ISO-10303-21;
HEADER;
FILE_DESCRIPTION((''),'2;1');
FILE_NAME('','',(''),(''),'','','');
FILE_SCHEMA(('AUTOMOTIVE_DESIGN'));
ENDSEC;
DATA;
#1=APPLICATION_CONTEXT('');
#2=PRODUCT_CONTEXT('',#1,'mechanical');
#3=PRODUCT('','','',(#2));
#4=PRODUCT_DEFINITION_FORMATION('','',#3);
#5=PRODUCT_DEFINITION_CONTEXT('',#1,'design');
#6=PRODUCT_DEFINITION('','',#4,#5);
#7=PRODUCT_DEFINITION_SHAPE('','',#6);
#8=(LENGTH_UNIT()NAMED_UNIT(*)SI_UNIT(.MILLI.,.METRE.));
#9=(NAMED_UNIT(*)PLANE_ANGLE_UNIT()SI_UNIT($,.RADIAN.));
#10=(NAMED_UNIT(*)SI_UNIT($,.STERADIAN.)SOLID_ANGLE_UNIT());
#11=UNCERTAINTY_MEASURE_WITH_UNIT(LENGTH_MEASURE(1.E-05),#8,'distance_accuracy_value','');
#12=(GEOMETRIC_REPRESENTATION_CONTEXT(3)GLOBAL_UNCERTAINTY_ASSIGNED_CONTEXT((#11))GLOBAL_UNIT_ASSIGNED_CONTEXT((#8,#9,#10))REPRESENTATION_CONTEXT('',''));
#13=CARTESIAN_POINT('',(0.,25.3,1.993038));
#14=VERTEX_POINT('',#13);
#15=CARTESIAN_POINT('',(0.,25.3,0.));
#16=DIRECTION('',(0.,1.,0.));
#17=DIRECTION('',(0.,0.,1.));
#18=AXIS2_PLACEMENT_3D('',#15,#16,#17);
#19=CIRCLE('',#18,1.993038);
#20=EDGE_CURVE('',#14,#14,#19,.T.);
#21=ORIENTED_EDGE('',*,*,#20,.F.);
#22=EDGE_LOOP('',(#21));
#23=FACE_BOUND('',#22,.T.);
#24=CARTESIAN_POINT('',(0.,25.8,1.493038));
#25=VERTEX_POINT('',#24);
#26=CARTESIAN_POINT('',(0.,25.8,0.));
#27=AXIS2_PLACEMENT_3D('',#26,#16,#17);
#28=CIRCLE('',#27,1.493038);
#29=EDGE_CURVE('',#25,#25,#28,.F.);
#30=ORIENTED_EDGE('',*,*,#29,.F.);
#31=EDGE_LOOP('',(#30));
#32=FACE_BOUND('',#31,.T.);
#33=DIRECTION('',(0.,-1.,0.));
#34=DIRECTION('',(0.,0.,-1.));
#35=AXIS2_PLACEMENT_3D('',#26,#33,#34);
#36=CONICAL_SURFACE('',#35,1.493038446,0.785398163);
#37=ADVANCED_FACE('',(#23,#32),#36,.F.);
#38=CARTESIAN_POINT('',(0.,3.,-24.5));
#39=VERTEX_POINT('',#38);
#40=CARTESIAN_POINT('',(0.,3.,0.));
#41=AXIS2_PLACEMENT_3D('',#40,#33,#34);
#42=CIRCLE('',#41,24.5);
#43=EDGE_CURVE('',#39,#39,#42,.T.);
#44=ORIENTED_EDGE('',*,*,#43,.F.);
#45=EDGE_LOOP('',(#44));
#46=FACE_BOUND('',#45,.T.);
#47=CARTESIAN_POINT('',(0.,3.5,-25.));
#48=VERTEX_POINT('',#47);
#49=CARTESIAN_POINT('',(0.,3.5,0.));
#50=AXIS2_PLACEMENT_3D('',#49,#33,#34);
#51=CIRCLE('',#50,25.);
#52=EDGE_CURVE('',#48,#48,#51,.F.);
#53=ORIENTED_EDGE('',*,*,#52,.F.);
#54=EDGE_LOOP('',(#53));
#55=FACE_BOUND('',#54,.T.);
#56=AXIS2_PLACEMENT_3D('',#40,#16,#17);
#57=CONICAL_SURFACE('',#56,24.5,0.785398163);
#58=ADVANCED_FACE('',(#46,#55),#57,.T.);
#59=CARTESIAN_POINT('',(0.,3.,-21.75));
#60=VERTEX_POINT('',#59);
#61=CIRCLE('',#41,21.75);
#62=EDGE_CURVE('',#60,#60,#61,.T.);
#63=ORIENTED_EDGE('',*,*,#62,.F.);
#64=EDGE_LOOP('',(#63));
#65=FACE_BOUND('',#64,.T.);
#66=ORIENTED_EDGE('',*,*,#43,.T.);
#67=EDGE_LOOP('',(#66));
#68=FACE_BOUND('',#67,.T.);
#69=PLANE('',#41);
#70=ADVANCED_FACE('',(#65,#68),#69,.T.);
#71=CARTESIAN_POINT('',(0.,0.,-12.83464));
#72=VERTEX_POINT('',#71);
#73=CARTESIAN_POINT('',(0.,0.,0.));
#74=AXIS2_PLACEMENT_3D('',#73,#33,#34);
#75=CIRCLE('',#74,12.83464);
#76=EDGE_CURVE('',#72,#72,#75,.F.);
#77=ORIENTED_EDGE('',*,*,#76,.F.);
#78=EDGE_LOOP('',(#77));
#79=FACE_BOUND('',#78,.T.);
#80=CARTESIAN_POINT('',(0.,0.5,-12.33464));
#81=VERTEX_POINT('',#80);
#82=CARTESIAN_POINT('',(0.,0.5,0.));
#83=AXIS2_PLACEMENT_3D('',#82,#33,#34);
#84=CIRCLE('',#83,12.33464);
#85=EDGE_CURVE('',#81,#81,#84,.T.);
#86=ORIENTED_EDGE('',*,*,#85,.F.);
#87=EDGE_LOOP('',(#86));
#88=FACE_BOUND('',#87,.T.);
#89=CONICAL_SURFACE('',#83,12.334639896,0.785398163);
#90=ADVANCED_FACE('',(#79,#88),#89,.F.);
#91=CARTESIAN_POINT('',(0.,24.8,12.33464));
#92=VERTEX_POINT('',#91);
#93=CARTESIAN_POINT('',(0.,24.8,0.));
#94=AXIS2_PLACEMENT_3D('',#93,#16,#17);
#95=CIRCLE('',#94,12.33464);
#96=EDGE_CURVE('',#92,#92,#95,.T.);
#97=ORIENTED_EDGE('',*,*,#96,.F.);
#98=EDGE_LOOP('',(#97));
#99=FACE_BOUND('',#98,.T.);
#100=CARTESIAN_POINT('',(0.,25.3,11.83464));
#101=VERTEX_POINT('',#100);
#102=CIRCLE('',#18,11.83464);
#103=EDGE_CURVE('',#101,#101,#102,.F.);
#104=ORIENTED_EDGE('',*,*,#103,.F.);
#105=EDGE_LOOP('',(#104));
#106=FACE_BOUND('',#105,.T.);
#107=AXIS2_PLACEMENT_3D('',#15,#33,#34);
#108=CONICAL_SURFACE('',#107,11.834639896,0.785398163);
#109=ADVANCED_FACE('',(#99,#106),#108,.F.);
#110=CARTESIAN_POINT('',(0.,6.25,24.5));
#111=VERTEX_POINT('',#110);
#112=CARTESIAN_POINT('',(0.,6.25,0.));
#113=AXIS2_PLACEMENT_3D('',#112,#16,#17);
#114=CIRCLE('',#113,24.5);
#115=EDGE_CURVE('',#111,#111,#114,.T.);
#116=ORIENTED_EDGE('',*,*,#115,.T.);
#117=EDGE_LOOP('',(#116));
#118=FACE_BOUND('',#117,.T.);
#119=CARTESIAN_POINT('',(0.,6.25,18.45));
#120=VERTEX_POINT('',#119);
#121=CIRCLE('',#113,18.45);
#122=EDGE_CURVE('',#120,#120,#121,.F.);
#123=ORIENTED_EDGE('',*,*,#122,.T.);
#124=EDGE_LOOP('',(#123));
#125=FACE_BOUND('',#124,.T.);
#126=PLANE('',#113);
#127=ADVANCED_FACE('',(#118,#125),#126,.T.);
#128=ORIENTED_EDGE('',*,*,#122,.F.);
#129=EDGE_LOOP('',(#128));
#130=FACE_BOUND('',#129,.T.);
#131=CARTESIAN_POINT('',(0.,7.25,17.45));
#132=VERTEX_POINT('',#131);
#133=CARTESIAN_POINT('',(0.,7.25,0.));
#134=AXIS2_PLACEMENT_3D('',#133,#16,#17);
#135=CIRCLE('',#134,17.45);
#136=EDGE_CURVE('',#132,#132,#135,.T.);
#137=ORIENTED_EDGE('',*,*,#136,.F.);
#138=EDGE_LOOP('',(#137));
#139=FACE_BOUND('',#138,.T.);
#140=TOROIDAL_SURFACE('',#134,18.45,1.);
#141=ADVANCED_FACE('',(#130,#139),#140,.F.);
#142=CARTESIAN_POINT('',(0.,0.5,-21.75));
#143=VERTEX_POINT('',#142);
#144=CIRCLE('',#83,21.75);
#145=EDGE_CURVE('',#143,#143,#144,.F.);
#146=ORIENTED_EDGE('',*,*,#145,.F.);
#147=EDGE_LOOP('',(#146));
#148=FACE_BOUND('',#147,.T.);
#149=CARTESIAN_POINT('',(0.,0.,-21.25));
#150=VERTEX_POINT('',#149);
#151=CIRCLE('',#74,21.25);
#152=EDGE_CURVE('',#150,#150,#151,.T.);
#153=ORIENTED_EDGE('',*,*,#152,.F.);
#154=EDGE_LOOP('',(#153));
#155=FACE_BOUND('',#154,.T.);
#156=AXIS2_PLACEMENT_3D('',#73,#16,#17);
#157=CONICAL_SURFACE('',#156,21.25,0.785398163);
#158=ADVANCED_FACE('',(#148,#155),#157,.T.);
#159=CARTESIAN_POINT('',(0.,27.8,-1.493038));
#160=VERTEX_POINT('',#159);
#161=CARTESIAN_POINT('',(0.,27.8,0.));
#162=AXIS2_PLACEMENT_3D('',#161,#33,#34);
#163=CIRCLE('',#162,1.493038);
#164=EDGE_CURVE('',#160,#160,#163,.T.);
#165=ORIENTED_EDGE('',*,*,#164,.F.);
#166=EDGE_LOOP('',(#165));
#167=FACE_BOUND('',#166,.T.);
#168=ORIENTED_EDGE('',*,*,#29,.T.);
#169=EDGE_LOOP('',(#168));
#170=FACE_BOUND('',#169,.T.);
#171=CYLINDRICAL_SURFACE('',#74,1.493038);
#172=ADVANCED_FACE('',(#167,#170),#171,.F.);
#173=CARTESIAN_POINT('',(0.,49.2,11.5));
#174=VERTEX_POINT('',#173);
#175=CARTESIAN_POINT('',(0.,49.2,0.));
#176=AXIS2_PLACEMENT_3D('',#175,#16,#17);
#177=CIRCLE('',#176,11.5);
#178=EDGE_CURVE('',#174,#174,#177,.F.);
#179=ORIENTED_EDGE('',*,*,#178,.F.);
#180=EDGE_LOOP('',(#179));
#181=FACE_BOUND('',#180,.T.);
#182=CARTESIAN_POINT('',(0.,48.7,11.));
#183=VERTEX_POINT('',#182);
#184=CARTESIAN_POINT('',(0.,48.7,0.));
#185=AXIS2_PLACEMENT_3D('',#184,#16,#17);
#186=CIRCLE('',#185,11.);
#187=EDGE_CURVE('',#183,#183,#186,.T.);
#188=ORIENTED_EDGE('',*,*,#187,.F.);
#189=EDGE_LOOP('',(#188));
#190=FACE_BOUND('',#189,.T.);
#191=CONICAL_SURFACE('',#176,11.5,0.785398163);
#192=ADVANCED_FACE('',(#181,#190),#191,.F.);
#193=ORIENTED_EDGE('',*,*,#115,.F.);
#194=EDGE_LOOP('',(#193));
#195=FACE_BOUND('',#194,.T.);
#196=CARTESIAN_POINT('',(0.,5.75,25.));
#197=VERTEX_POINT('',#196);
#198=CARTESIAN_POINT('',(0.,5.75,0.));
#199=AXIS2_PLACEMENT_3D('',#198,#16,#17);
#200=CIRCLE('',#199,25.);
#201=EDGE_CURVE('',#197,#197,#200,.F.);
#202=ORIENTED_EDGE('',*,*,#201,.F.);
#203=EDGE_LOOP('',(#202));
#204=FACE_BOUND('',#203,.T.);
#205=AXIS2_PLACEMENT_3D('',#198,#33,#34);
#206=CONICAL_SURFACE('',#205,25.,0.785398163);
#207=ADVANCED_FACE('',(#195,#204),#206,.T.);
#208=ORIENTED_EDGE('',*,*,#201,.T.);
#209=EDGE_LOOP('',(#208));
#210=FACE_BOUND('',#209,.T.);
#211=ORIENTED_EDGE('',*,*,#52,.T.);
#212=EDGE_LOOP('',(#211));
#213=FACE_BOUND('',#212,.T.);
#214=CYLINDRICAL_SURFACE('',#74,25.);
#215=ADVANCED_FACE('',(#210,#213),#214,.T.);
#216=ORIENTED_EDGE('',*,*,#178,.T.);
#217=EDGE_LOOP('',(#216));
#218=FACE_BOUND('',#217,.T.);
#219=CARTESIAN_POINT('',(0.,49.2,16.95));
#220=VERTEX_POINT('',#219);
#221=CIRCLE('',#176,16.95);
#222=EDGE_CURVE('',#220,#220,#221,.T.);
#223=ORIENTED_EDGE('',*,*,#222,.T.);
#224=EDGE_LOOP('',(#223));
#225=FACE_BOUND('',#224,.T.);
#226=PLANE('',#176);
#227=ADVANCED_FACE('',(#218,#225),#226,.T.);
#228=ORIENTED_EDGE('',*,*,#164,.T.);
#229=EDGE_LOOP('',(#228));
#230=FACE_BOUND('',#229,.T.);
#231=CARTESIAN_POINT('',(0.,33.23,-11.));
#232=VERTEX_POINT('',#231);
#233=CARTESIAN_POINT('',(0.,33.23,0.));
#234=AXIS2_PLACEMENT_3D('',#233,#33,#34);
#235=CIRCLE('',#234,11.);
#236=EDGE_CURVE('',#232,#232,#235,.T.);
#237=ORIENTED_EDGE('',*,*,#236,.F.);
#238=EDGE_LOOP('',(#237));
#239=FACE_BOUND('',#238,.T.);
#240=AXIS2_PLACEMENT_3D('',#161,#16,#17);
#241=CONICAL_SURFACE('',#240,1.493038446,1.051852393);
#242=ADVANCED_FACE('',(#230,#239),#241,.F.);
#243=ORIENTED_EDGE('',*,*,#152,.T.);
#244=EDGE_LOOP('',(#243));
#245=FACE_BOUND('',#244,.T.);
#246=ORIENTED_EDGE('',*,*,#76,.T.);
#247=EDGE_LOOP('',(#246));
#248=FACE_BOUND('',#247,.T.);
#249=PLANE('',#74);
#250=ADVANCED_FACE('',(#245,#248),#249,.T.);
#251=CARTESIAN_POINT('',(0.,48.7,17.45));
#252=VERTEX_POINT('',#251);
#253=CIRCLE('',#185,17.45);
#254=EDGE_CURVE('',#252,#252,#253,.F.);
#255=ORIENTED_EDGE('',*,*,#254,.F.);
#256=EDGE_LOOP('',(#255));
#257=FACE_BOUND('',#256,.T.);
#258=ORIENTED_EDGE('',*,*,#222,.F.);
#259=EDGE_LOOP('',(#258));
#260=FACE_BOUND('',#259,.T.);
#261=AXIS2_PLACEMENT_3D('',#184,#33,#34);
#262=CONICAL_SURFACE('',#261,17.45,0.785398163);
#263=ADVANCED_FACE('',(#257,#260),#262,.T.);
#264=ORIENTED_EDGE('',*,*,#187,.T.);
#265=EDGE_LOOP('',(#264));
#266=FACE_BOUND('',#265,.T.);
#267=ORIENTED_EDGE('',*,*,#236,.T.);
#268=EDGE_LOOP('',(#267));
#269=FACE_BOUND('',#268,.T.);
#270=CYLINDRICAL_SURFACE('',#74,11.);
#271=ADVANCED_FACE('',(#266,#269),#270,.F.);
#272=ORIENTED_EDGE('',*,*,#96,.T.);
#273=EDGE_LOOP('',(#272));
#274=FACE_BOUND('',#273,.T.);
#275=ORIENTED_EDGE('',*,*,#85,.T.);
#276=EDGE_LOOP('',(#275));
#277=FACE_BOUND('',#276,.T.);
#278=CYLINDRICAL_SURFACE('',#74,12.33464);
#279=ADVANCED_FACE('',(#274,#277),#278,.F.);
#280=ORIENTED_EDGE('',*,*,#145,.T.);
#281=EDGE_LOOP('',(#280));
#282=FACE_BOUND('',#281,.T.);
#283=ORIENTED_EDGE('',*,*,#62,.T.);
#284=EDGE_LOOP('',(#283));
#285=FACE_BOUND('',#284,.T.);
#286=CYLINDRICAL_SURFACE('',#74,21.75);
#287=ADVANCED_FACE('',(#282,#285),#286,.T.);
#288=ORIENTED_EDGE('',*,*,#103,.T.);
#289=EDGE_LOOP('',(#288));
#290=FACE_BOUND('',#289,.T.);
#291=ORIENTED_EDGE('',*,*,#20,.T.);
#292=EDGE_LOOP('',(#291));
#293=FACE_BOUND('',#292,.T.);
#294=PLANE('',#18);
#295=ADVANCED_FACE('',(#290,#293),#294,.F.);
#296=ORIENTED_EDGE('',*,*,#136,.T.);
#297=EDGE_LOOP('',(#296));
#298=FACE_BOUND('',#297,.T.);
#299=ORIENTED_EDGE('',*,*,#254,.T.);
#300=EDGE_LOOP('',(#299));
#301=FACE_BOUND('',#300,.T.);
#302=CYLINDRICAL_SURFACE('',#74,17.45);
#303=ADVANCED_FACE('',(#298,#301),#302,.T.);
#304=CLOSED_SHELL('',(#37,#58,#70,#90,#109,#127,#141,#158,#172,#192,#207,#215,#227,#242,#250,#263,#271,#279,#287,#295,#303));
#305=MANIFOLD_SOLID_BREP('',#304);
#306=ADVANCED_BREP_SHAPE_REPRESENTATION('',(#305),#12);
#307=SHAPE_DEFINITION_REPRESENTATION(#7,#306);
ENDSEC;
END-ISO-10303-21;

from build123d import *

# Parameters (mm, degrees)
CHAMFER1_SIZE = 0.5
FILLET1_R     = 1
CHAMFER2_SIZE = 0.5


with BuildPart() as part:
    # Sketch1 → Revolve1 (revolve)
    with BuildSketch(Plane.XY):
        Polygon((1.493038446, 27.8), (11, 33.23), (11, 49.2), (17.45, 49.2), (17.45, 6.25), (25, 6.25), (25, 3), (21.75, 3), (21.75, 0), (12.334639896, 0), (12.334639896, 25.3), (1.493038446, 25.3), align=None)
    revolve(axis=Axis((0, 0, 0), (0, 1, 0)))

    # Chamfer1
    chamfer1_edges = [part.edges().sort_by_distance(p)[0] for p in [
        (-11, 49.2, 0),
        (-17.45, 49.2, 0),
        (-25, 6.25, 0),
        (-25, 3, 0),
        (-21.75, 0, 0),
        (-12.334639896, 0, 0),
        (-1.493038446, 25.3, 0),
    ]]
    chamfer(chamfer1_edges, length=CHAMFER1_SIZE)

    # Fillet1
    fillet1_edges = [part.edges().sort_by_distance(p)[0] for p in [
        (-17.45, 6.25, 0),
    ]]
    fillet(fillet1_edges, radius=FILLET1_R)

    # Chamfer2
    chamfer2_edges = [part.edges().sort_by_distance(p)[0] for p in [
        (-12.334639896, 25.3, 0),
    ]]
    chamfer(chamfer2_edges, length=CHAMFER2_SIZE)


solid = part.part
